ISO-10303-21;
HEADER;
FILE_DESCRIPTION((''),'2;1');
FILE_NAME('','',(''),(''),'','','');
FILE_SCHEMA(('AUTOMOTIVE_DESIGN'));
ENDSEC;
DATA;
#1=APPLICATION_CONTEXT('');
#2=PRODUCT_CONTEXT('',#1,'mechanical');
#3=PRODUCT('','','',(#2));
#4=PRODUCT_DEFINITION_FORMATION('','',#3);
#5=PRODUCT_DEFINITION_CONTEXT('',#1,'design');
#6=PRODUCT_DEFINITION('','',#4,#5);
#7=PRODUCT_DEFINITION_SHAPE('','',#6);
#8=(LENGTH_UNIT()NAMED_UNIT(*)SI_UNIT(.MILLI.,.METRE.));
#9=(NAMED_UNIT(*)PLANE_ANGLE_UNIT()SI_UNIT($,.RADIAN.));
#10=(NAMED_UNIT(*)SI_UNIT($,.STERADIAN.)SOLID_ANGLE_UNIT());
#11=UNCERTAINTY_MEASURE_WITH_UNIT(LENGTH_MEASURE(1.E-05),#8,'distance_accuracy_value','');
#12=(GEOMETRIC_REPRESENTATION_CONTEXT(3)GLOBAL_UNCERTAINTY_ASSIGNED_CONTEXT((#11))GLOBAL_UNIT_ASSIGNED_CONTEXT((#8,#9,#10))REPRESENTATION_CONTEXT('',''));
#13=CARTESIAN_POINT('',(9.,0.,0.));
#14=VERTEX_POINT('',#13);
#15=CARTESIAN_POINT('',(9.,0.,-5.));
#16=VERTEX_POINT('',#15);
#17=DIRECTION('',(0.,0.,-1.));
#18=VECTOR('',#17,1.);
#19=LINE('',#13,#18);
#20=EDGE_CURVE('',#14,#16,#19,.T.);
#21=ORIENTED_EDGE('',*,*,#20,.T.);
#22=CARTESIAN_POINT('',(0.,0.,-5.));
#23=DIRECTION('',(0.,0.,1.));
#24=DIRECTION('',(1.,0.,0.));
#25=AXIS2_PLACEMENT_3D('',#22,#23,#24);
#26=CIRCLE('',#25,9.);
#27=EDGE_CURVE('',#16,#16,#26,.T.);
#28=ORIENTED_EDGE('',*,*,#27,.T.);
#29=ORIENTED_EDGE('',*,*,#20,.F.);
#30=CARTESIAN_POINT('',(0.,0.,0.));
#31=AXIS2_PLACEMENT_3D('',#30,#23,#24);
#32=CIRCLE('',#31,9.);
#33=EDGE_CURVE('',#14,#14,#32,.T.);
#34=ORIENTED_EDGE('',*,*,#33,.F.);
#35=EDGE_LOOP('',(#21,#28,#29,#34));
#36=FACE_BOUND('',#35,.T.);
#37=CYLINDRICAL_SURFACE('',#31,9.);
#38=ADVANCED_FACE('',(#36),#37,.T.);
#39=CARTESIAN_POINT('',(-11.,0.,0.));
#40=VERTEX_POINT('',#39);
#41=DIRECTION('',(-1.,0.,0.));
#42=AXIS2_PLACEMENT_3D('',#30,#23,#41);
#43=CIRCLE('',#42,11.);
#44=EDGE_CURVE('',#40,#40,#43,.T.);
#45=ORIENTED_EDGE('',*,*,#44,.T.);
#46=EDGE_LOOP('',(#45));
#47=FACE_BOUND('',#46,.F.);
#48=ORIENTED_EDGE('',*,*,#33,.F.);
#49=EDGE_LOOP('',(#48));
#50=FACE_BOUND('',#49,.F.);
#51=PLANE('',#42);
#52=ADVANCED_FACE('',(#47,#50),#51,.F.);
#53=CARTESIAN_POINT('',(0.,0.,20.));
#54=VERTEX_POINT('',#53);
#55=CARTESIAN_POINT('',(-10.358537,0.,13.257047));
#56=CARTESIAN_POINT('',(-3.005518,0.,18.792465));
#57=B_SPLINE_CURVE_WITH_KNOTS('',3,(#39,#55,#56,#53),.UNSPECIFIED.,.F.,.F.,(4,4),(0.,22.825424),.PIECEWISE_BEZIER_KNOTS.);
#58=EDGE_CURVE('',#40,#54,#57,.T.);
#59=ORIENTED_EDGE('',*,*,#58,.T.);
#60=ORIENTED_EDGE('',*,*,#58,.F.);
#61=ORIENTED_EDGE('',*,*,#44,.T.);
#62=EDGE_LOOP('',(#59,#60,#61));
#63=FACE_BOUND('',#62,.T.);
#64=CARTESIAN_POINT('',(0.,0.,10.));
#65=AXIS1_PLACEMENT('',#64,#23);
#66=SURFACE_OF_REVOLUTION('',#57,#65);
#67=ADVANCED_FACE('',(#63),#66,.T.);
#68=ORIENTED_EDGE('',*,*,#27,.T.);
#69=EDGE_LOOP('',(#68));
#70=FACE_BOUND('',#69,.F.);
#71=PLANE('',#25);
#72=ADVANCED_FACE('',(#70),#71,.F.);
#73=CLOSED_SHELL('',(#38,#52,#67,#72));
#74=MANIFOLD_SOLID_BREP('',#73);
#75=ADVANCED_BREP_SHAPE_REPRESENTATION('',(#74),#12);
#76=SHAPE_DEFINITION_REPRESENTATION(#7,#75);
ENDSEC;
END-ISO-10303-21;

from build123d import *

# Parameters (mm, degrees)
F0_R     = 9
F3_DEPTH = 5


with BuildPart() as f2:
    # F1 (on Front) → F2 (revolve)
    with BuildSketch(Plane.XZ):
        with BuildLine():
            Line((-11, 0), (0, 0))
            Line((0, 0), (0, 20))
            add(Edge.make_bspline(
                [(-11, 0), (-10.358537, 13.257047), (-3.005518, 18.792465), (0, 20)],
                knots=[0, 0, 0, 0, 22.825424, 22.825424, 22.825424, 22.825424], degree=3))
        make_face()
    revolve(axis=Axis((0, 0, 10), (0, 0, 1)))

    # F0 (on Top) → F3 (join)
    with BuildSketch(Plane.XY):
        Circle(F0_R)
    extrude(amount=-F3_DEPTH)


solid = f2.part
